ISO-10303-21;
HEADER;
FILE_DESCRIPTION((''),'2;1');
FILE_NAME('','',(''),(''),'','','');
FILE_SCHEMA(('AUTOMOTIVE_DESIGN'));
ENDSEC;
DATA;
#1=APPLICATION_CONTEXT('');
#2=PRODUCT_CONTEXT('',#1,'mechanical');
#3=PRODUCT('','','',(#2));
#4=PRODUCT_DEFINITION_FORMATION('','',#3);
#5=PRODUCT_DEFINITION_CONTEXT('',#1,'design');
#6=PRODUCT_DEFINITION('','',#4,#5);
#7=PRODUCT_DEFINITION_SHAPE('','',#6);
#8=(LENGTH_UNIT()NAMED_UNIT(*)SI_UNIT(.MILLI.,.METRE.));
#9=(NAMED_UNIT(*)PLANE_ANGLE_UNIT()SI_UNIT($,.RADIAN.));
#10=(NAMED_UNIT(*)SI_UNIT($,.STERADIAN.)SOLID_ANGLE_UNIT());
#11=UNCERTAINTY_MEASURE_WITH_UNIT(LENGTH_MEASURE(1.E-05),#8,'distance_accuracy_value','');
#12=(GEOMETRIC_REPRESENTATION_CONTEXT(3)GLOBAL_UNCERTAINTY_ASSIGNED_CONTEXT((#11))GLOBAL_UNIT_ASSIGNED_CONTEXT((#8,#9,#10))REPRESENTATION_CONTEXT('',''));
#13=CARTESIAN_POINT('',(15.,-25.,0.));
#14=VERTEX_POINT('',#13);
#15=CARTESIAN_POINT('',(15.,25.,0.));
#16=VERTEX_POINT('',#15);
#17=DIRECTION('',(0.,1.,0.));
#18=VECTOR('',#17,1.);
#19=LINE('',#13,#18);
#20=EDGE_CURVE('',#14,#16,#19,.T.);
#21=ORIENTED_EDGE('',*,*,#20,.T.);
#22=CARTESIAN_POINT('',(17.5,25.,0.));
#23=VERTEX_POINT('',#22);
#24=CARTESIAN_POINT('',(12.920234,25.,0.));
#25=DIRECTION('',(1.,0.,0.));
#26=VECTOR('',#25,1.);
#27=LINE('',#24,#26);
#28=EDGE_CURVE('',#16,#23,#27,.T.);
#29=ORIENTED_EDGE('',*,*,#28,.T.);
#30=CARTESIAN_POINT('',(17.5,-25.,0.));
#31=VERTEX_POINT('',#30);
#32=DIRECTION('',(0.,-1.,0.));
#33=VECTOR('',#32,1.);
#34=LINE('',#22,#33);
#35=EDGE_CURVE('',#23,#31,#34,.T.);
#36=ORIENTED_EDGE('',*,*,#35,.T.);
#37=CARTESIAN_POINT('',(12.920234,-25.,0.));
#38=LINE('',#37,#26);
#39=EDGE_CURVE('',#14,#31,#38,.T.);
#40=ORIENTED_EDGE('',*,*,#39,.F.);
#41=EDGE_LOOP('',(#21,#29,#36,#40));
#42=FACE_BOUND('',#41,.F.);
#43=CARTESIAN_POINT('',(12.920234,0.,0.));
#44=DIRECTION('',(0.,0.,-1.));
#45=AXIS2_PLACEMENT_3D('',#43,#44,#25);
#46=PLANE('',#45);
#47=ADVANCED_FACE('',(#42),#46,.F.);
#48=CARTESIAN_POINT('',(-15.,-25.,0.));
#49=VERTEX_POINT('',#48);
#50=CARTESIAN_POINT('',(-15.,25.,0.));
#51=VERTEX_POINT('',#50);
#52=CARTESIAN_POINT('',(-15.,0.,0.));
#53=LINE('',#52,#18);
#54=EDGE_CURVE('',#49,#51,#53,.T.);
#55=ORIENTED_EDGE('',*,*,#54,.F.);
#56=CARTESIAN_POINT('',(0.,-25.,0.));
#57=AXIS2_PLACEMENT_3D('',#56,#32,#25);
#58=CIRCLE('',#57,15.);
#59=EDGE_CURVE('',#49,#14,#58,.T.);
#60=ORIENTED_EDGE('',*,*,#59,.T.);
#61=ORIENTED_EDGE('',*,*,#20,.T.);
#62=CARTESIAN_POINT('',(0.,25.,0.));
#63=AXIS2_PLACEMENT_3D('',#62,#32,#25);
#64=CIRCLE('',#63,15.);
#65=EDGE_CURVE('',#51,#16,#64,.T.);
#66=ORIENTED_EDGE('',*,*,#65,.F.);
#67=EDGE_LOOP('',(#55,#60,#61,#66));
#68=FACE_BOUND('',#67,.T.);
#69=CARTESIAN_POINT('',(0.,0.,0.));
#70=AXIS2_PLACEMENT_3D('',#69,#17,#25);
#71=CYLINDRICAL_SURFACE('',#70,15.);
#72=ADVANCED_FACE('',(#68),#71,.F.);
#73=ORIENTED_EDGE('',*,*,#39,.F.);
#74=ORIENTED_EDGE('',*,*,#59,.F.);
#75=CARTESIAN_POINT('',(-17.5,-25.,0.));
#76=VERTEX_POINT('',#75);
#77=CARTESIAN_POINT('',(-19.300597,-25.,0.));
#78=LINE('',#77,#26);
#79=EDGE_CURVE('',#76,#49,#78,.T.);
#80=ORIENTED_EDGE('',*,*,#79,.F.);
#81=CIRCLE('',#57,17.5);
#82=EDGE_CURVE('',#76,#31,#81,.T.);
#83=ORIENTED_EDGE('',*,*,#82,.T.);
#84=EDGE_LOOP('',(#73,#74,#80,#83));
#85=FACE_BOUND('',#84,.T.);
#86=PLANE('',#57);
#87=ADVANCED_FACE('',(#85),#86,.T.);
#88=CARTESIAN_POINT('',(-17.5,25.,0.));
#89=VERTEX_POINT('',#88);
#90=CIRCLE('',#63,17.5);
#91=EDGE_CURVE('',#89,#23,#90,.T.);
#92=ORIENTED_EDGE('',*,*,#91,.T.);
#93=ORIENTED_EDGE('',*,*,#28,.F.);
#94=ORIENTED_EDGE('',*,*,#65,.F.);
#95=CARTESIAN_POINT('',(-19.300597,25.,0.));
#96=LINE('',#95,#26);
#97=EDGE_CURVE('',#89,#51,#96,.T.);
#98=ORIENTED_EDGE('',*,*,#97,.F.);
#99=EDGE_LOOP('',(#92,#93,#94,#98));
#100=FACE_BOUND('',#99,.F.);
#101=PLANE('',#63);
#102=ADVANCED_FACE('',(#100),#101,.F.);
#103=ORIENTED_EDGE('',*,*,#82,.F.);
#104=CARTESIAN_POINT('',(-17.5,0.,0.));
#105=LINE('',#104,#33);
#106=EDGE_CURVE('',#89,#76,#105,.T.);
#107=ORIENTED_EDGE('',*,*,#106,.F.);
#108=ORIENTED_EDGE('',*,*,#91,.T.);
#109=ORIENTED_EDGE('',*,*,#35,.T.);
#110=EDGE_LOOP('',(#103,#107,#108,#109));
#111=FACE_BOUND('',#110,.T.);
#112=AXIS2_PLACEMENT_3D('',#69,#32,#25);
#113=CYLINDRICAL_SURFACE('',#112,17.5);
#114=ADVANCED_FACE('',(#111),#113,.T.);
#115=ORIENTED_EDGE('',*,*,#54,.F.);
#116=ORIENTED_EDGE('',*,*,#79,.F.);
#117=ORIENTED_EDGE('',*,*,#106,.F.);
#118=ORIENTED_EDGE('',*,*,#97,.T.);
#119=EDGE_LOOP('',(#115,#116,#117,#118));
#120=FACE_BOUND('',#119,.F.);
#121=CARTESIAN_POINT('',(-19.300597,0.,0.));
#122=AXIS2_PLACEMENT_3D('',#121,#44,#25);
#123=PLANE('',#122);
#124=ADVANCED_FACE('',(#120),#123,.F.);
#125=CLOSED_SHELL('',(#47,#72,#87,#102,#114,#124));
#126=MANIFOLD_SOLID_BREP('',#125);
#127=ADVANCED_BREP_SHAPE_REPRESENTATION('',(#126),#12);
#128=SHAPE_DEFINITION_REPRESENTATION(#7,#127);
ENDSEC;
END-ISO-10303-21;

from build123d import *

# Parameters (mm, degrees)
F0_R     = 17.5
F0_R_2   = 15
F1_DEPTH = 25
F3_DEPTH = 25


with BuildPart() as f1:
    # F0 (on Front) → F1 (new body, symmetric)
    with BuildSketch(Plane.XZ):
        Circle(F0_R)
        Circle(F0_R_2, mode=Mode.SUBTRACT)
    extrude(amount=F1_DEPTH, both=True)

    # F2 (on Front) → F3 (cut, symmetric)
    with BuildSketch(Plane.XZ):
        with BuildLine():
            ThreePointArc((-13.55827, 0), (-0.319018, 13.938322), (12.920234, 0))
            Line((12.920234, 0), (19.619616, 0))
            ThreePointArc((19.619616, 0), (0.159509, 20.128697), (-19.300597, 0))
            Line((-19.300597, 0), (-13.55827, 0))
        make_face()
    extrude(amount=F3_DEPTH, both=True, mode=Mode.SUBTRACT)


solid = f1.part
